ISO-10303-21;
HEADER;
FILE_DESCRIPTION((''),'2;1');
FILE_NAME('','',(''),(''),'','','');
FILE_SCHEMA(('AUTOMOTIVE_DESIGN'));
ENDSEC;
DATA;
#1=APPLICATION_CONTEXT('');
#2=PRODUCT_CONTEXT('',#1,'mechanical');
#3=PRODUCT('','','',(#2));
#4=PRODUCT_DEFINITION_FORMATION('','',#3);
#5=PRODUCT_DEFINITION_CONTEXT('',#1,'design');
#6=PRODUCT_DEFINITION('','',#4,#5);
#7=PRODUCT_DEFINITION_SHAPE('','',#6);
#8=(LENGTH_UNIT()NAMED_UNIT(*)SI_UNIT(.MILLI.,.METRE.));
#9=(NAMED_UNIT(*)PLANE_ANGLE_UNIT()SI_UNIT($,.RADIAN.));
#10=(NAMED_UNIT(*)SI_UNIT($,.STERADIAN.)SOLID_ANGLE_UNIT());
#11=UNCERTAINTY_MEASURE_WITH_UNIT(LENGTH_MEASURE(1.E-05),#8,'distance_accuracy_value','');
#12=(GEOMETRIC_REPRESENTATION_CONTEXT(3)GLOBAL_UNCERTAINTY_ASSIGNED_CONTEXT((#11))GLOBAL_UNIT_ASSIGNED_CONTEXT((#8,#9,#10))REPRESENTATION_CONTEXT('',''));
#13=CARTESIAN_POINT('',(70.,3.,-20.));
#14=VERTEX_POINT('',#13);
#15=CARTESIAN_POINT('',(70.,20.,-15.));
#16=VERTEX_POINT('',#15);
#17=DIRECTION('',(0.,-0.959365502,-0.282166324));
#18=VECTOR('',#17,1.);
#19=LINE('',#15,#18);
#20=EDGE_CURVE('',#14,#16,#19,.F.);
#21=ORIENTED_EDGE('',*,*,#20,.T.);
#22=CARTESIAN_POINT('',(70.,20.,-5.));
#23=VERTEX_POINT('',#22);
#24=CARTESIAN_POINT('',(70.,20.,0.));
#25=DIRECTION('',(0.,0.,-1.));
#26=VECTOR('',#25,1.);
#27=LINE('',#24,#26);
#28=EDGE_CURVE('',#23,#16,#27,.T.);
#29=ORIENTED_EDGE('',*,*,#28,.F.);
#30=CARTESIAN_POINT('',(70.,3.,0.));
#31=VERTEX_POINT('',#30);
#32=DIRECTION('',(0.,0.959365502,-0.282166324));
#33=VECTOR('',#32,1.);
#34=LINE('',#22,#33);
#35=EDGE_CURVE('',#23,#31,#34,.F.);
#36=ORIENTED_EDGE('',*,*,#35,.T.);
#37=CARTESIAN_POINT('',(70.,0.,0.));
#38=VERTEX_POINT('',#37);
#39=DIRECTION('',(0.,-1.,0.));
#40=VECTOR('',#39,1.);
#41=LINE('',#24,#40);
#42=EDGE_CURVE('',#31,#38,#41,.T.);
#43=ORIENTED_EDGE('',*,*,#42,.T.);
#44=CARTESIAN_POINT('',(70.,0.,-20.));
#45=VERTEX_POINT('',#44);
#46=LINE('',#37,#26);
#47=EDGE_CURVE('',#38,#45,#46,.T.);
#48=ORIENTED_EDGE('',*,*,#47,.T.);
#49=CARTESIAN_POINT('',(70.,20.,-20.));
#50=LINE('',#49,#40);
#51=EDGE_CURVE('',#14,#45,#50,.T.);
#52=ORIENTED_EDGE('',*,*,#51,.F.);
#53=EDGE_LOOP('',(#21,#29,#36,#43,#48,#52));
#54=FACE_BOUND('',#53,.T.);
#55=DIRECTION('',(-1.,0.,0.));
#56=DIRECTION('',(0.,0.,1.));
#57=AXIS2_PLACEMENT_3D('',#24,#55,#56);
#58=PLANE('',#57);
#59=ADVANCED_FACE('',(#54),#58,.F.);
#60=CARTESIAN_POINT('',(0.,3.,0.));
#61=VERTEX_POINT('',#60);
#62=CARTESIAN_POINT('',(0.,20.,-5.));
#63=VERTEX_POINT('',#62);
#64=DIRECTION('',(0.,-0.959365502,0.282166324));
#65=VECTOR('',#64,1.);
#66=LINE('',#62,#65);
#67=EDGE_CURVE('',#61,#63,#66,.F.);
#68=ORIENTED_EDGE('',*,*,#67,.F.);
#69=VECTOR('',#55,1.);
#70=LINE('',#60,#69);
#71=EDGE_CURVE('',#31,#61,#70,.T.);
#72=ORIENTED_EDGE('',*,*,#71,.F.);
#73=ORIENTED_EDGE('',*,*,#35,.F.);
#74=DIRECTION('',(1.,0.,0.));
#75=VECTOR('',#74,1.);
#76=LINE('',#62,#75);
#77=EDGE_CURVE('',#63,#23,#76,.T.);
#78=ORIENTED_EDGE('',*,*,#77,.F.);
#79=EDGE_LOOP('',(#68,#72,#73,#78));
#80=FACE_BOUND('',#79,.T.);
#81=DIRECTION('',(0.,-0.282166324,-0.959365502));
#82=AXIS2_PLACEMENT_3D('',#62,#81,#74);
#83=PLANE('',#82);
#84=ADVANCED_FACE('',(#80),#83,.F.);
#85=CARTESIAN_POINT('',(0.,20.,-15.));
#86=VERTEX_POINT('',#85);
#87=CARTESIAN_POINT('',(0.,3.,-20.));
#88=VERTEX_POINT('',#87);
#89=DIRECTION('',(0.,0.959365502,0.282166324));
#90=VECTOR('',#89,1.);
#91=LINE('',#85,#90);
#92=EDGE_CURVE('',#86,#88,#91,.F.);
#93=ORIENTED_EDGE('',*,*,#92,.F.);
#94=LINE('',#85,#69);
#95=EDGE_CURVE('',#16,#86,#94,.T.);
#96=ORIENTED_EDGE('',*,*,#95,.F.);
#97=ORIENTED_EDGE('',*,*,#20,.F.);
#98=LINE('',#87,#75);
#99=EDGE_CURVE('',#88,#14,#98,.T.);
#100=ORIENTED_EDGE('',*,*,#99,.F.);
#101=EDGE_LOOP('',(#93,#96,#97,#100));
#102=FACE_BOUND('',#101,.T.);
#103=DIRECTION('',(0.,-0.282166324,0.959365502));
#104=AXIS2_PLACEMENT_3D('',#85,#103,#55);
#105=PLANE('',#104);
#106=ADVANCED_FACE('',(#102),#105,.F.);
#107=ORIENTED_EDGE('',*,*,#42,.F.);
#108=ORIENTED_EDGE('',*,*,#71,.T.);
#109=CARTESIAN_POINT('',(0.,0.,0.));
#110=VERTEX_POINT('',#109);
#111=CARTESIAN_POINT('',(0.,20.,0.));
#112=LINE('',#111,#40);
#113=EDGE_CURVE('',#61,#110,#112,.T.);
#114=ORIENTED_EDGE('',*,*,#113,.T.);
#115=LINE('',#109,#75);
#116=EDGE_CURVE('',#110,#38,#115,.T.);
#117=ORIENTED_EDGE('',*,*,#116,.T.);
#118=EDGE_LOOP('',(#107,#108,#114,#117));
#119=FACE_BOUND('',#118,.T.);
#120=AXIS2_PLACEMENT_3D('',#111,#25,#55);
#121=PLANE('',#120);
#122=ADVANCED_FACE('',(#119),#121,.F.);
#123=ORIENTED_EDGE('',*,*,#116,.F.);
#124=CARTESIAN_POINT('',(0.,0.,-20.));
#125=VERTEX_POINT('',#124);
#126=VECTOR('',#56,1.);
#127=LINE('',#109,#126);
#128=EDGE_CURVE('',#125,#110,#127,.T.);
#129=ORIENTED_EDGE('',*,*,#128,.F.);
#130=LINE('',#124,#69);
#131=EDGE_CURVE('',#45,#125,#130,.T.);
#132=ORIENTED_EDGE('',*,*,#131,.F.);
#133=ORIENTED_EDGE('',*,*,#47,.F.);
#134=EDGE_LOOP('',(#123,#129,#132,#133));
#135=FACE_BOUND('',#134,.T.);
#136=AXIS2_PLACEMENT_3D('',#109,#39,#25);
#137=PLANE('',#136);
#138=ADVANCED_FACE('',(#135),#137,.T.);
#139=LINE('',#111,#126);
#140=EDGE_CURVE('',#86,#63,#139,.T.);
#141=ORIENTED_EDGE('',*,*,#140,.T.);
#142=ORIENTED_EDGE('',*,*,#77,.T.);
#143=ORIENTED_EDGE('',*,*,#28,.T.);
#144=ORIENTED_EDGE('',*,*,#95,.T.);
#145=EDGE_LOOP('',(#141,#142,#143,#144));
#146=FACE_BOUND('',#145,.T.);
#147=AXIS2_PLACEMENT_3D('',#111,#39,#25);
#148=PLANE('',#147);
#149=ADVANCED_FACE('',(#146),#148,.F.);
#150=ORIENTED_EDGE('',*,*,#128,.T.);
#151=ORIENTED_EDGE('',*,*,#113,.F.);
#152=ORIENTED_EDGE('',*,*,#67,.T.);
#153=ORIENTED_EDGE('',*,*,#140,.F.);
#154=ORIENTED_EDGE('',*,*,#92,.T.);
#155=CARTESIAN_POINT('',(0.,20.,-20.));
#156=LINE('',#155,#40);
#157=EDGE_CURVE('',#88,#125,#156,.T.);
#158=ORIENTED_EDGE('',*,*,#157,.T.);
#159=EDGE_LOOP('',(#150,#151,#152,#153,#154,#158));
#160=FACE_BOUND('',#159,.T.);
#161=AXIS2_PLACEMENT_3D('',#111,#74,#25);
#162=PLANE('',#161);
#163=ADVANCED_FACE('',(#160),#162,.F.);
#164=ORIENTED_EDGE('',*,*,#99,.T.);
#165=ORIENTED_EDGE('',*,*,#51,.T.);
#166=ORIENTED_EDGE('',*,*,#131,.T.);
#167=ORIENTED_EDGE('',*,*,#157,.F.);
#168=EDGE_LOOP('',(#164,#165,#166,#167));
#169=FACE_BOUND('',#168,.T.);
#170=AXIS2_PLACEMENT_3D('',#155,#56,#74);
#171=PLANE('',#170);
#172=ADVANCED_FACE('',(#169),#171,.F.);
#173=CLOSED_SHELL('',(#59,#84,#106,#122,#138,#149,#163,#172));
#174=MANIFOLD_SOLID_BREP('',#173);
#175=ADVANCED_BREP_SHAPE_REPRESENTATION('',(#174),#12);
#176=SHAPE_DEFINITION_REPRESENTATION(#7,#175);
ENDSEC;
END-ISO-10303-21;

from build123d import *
from OCP.BRepFilletAPI import BRepFilletAPI_MakeChamfer

# Parameters (mm, degrees)
SKETCH1_W           = 70
SKETCH1_H           = 20
BOSS_EXTRUDE1_DEPTH = 20
CHAMFER1_SIZE       = 17
CHAMFER1_SIZE2      = 5


with BuildPart() as part:
    # Sketch1 → Boss-Extrude1 (new body)
    with BuildSketch(Plane(origin=(0, 0, 0), x_dir=(1, 0, 0), z_dir=(0, 1, 0))):
        with Locations((35, 10)):
            Rectangle(SKETCH1_W, SKETCH1_H)
    extrude(amount=BOSS_EXTRUDE1_DEPTH)

    # Chamfer1: one chamfer whose edges measure the first distance from different faces: ONE call of the kernel's chamfer builder (chamfer() names one face for all edges)
    chamfer1_edges_1 = [part.edges().sort_by_distance(p)[0] for p in [
        (35, 20, -20),
    ]]
    chamfer1_side_1 = [part.faces().sort_by_distance(p)[0] for p in [
        (35, 10, -20),
    ]]
    chamfer1_edges_2 = [part.edges().sort_by_distance(p)[0] for p in [
        (35, 20, 0),
    ]]
    chamfer1_side_2 = [part.faces().sort_by_distance(p)[0] for p in [
        (35, 10, 0),
    ]]
    chamfer1 = BRepFilletAPI_MakeChamfer(part.part.solid().wrapped)
    for e in chamfer1_edges_1:
        chamfer1.Add(CHAMFER1_SIZE, CHAMFER1_SIZE2, e.wrapped, chamfer1_side_1[0].wrapped)  # the first distance lies on this face
    for e in chamfer1_edges_2:
        chamfer1.Add(CHAMFER1_SIZE, CHAMFER1_SIZE2, e.wrapped, chamfer1_side_2[0].wrapped)  # the first distance lies on this face
    add(Compound.cast(chamfer1.Shape()), mode=Mode.REPLACE)


solid = part.part
